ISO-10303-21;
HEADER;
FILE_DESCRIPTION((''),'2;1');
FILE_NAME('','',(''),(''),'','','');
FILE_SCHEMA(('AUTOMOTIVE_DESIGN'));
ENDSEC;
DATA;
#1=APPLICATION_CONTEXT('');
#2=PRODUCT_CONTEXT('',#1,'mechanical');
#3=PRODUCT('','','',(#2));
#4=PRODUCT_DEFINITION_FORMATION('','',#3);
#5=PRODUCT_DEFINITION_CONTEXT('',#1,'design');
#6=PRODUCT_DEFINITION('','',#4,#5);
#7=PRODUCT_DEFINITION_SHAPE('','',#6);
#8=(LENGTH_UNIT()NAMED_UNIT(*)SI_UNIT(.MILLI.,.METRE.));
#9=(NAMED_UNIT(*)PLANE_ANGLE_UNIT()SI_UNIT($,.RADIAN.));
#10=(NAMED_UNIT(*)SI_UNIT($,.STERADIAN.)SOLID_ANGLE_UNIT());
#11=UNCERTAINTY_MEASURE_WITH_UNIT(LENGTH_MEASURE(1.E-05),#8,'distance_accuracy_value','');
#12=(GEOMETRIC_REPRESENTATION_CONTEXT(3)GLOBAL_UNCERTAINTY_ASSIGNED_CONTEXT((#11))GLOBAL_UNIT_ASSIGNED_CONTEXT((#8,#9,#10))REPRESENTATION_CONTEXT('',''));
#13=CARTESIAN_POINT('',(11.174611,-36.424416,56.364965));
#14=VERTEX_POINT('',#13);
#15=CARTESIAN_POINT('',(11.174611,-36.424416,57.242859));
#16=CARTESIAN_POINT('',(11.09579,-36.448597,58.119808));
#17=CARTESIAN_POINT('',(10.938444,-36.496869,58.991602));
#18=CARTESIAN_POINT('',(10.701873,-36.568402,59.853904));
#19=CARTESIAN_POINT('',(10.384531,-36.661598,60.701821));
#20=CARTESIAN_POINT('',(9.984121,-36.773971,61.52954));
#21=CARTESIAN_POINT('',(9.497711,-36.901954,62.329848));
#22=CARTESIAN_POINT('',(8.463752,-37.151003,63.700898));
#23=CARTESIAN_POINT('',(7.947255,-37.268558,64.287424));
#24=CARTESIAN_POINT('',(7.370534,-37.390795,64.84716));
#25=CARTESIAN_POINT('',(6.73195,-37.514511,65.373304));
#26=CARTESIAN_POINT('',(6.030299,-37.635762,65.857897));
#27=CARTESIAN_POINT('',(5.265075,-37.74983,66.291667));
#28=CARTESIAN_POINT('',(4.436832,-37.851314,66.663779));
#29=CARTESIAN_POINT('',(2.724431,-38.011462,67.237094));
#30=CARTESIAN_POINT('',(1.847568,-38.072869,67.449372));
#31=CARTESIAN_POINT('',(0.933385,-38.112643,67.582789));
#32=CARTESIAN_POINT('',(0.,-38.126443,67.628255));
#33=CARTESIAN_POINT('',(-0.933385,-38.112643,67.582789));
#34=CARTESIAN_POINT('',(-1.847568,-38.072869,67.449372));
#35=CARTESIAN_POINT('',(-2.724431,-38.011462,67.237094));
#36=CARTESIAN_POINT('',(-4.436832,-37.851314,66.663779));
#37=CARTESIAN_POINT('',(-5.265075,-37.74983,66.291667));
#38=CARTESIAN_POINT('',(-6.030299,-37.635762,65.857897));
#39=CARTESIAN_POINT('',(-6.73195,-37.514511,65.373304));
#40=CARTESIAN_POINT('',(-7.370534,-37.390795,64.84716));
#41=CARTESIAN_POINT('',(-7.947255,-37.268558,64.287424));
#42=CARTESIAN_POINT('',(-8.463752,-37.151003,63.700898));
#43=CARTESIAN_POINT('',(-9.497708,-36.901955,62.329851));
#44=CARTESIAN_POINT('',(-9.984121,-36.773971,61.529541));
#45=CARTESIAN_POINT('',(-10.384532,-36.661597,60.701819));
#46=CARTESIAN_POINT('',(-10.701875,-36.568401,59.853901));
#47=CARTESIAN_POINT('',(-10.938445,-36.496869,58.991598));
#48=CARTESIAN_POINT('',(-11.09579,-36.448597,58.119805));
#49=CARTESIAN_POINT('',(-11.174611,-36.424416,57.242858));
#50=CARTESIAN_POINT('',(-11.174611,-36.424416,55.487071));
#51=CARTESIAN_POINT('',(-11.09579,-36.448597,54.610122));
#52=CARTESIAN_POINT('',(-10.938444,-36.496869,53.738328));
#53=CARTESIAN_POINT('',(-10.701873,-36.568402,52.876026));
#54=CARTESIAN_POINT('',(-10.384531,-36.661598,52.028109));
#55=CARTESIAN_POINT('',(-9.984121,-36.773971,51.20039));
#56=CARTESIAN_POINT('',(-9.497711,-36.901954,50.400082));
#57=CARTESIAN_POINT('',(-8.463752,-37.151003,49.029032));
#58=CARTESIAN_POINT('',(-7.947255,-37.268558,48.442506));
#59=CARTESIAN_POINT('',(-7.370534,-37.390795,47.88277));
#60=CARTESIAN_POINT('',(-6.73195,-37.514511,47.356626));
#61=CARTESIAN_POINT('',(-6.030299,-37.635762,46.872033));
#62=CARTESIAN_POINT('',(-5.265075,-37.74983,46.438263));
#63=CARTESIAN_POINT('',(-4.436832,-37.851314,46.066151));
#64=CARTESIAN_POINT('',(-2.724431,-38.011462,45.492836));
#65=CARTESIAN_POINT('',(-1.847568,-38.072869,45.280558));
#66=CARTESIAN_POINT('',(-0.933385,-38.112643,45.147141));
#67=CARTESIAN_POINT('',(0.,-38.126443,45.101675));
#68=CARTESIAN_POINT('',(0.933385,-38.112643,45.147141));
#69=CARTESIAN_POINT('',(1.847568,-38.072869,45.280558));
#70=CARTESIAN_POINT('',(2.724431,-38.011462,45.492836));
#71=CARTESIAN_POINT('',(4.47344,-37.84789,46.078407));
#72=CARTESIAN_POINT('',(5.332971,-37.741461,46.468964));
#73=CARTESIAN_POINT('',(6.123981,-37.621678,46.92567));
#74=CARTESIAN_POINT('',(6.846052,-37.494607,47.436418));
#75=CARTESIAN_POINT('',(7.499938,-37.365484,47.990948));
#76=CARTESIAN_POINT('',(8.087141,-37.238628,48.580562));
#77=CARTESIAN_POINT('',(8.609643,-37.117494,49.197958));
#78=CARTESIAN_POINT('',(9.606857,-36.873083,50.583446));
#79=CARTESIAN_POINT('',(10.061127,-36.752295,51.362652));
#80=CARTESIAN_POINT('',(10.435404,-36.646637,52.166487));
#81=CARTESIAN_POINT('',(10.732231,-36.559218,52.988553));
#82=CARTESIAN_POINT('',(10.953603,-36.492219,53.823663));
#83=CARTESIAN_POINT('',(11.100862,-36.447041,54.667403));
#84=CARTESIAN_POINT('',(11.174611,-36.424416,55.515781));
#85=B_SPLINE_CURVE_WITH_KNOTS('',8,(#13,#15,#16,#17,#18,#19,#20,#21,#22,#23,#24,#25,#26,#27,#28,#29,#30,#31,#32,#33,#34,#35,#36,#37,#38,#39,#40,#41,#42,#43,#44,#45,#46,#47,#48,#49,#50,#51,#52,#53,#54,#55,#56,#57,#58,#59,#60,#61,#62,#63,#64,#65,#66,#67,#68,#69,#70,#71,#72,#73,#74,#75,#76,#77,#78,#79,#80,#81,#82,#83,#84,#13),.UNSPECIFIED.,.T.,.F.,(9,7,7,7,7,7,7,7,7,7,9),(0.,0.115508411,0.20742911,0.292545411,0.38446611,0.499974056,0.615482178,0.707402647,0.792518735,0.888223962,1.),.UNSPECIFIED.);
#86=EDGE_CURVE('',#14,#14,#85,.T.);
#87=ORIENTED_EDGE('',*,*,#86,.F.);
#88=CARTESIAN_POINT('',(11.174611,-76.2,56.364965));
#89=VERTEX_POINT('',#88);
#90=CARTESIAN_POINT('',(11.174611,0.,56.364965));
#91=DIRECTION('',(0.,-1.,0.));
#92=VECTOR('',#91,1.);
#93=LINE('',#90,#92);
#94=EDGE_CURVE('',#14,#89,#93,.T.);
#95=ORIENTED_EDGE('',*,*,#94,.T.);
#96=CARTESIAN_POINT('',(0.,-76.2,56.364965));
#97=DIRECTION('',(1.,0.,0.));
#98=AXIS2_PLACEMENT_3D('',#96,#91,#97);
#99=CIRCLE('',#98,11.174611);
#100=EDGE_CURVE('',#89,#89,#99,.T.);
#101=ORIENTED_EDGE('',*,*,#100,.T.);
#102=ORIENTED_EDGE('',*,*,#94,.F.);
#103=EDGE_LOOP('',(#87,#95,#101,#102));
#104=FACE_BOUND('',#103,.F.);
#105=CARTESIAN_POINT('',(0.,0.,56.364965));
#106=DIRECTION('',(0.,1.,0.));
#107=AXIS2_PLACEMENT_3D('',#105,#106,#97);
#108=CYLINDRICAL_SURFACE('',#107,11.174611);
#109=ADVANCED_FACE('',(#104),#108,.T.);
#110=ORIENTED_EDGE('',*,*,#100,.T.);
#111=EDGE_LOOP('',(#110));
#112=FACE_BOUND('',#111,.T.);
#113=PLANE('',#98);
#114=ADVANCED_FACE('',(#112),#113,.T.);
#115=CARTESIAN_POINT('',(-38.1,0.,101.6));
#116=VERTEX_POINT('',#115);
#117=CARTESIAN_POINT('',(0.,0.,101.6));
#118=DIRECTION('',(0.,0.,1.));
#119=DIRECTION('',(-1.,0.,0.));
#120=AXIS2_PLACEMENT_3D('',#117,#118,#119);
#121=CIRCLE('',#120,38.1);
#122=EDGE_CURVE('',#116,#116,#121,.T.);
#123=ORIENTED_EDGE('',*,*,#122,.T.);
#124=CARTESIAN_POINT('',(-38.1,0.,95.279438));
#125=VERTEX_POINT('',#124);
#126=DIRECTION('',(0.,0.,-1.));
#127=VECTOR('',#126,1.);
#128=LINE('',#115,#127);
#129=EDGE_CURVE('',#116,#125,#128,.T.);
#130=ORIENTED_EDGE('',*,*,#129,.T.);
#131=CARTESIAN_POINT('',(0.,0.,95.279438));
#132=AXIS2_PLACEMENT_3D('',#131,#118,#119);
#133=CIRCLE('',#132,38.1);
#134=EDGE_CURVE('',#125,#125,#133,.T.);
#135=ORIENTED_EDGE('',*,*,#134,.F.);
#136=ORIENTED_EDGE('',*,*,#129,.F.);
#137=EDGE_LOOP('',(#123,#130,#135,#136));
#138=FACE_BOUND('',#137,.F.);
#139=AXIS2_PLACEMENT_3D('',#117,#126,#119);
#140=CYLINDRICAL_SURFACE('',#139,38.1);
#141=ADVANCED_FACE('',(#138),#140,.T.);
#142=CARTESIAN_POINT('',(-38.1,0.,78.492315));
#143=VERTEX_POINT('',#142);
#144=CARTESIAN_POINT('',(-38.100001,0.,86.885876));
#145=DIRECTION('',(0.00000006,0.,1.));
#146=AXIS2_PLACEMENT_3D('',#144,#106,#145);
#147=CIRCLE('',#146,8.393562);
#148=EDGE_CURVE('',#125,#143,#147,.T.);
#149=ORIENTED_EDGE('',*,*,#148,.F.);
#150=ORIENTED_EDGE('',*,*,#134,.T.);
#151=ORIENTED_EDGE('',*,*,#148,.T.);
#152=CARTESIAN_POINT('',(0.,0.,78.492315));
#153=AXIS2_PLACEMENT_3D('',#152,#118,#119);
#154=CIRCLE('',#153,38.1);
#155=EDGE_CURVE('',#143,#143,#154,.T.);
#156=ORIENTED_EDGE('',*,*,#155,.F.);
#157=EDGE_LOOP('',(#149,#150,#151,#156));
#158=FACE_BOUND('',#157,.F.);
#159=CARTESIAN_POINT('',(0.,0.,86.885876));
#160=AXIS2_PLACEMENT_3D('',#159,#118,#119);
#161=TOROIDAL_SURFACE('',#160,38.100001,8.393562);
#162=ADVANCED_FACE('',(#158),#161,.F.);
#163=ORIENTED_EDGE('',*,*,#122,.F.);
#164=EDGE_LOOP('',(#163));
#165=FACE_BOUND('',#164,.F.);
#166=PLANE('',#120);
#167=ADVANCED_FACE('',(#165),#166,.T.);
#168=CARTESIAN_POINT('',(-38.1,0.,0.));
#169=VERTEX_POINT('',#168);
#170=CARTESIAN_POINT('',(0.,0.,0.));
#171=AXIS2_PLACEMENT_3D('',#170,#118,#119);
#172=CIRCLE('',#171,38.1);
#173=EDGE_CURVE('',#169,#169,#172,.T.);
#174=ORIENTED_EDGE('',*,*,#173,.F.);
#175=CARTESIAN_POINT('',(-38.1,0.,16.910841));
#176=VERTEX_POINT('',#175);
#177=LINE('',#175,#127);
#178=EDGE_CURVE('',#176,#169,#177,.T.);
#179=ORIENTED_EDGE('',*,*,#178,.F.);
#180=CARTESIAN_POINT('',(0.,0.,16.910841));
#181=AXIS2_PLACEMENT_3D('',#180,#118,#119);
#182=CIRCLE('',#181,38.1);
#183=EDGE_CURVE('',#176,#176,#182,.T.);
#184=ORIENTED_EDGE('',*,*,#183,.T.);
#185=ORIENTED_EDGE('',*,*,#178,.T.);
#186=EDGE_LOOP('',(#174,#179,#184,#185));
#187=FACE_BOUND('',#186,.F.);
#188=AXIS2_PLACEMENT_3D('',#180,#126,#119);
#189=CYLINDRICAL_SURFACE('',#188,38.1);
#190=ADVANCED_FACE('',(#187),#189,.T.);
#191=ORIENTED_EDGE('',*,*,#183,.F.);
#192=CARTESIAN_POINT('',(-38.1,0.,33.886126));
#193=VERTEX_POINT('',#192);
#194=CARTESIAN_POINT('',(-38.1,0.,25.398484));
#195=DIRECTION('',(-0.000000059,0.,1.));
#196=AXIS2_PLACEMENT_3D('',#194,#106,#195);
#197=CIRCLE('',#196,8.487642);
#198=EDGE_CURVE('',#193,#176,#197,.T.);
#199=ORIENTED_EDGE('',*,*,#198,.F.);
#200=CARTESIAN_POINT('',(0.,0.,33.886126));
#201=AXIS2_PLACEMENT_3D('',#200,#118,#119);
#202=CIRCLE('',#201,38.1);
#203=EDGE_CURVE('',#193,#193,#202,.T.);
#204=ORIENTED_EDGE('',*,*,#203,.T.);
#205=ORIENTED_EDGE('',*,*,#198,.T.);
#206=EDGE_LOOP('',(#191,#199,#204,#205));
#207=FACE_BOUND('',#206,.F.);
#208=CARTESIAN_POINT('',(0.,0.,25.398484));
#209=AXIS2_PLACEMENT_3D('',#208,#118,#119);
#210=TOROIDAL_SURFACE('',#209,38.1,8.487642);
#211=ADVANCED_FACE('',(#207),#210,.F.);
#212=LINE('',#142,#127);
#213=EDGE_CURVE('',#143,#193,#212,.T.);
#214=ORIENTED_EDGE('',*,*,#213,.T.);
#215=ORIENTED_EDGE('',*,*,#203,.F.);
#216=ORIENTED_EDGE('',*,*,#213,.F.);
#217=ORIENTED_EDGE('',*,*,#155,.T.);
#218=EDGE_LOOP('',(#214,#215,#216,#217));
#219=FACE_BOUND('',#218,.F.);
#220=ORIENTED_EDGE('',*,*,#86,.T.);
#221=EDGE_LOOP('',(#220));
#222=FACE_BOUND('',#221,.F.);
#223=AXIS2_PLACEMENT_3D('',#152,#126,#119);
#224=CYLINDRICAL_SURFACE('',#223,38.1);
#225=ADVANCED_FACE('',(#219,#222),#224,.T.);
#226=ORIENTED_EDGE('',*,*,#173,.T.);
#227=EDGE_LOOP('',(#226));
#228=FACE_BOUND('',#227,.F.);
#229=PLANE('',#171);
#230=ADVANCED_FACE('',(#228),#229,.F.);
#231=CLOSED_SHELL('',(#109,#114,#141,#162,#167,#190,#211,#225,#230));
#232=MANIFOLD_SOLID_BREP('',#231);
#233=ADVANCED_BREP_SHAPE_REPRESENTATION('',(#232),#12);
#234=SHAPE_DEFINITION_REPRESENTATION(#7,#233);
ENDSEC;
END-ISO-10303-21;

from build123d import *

# Parameters (mm, degrees)
F2_R     = 11.174611
F3_DEPTH = 76.2


with BuildPart() as f1:
    # F0 (on Front) → F1 (revolve)
    with BuildSketch(Plane.XZ):
        with BuildLine():
            Line((-38.1, 0), (0, 0))
            Line((0, 0), (0, 101.6))
            Line((0, 101.6), (-38.1, 101.6))
            Line((-38.1, 101.6), (-38.1, 95.279438))
            ThreePointArc((-38.1, 95.279438), (-29.706439, 86.885877), (-38.1, 78.492315))
            Line((-38.1, 78.492315), (-38.1, 33.886126))
            ThreePointArc((-38.1, 33.886126), (-29.612357, 25.398483), (-38.1, 16.910841))
            Line((-38.1, 16.910841), (-38.1, 0))
        make_face()
    revolve(axis=Axis((0, 0, 50.8), (0, 0, 1)))

    # F2 (on Front) → F3 (join)
    with BuildSketch(Plane.XZ):
        with Locations((0, 56.364965)):
            Circle(F2_R)
    extrude(amount=F3_DEPTH)


solid = f1.part
